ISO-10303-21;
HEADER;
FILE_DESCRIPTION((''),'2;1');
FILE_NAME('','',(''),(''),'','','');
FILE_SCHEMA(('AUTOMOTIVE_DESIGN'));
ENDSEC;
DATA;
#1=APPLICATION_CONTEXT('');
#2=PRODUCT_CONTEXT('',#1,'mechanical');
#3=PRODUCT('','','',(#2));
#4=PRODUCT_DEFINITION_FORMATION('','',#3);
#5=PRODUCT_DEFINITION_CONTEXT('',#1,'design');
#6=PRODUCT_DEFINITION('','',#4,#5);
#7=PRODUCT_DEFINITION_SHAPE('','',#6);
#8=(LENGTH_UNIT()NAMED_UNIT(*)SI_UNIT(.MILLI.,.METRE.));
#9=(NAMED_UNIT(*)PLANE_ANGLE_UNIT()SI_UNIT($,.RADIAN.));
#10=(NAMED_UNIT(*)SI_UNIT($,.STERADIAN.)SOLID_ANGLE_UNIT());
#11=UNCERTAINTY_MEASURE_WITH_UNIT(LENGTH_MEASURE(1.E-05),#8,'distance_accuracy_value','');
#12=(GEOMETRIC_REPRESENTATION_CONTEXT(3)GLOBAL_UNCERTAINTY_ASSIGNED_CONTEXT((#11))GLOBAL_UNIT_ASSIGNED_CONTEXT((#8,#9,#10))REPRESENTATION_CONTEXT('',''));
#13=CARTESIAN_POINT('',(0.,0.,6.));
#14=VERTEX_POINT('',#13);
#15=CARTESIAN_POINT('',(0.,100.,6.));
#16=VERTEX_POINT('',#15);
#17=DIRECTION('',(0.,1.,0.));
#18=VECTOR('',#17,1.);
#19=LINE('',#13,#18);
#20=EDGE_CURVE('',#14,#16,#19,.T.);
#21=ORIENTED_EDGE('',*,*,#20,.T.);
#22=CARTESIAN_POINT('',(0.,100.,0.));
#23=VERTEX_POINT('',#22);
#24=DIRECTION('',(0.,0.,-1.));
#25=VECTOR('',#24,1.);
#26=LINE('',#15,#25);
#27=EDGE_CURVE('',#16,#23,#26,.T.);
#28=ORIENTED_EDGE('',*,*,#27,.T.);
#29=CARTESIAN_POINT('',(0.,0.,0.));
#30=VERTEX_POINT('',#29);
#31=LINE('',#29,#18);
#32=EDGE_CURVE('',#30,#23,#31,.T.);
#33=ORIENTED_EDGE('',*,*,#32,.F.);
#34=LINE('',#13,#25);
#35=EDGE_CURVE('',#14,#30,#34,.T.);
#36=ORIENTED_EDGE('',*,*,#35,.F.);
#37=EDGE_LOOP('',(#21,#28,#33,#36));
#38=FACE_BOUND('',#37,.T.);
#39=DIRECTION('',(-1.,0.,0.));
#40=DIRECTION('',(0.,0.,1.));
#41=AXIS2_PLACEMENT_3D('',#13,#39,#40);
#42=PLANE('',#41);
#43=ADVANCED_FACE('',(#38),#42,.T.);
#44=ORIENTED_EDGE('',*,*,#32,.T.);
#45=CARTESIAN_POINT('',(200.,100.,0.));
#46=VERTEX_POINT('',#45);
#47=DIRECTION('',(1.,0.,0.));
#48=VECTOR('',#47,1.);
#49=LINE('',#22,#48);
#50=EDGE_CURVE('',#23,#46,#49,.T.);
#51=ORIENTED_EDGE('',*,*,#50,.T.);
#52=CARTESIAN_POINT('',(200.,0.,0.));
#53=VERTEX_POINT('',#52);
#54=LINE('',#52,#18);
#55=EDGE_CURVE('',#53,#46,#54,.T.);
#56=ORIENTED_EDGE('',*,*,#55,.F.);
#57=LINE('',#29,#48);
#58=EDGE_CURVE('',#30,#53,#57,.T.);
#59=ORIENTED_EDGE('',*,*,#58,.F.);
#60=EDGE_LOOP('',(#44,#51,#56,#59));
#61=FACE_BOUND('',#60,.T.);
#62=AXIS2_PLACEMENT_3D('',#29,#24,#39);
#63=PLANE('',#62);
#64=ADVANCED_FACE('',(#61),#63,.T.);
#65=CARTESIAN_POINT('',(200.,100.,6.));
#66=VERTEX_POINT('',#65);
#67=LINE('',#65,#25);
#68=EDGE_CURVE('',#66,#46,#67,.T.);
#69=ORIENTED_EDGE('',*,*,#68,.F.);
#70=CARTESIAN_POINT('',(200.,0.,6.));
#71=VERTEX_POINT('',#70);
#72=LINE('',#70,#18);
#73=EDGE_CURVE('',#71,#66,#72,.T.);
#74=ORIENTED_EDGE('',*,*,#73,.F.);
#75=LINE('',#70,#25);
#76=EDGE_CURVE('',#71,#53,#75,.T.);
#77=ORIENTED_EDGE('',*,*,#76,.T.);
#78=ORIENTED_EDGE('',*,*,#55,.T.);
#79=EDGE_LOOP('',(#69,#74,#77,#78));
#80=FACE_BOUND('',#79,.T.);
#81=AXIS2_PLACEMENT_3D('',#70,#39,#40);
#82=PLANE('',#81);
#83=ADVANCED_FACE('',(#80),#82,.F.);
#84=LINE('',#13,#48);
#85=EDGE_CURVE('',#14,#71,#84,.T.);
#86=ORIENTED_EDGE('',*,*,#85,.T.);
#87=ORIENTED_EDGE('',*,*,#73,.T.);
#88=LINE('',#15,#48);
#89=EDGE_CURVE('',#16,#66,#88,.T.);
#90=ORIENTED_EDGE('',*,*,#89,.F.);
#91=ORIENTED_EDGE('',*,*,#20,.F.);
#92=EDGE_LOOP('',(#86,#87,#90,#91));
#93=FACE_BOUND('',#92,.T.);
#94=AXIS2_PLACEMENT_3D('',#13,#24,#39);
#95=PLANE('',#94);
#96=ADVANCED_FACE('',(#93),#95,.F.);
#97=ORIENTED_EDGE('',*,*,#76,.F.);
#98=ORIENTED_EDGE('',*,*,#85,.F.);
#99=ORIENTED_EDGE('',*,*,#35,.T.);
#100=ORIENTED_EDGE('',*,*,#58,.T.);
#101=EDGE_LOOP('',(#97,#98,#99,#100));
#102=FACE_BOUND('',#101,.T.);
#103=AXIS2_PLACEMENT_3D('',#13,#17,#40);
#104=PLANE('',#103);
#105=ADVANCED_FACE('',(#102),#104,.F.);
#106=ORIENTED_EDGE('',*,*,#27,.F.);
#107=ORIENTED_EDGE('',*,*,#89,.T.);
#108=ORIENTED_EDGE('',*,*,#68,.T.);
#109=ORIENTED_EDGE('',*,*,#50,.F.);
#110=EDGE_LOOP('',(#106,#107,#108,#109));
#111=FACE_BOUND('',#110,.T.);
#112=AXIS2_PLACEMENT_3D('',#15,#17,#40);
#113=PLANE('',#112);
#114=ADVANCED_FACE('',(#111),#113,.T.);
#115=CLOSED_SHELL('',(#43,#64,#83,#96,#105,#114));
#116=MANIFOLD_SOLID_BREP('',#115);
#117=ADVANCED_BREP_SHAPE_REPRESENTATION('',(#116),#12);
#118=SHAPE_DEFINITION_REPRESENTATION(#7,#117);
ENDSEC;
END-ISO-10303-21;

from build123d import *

# Parameters (mm, degrees)
ESBO_O2_W                = 200
ESBO_O2_H                = 100
RESSALTO_EXTRUS_O1_DEPTH = 6


with BuildPart() as part:
    # Esboço2 → Ressalto-extrusão1 (new body)
    with BuildSketch(Plane.XY):
        with Locations((100, 50)):
            Rectangle(ESBO_O2_W, ESBO_O2_H)
    extrude(amount=RESSALTO_EXTRUS_O1_DEPTH)


solid = part.part
